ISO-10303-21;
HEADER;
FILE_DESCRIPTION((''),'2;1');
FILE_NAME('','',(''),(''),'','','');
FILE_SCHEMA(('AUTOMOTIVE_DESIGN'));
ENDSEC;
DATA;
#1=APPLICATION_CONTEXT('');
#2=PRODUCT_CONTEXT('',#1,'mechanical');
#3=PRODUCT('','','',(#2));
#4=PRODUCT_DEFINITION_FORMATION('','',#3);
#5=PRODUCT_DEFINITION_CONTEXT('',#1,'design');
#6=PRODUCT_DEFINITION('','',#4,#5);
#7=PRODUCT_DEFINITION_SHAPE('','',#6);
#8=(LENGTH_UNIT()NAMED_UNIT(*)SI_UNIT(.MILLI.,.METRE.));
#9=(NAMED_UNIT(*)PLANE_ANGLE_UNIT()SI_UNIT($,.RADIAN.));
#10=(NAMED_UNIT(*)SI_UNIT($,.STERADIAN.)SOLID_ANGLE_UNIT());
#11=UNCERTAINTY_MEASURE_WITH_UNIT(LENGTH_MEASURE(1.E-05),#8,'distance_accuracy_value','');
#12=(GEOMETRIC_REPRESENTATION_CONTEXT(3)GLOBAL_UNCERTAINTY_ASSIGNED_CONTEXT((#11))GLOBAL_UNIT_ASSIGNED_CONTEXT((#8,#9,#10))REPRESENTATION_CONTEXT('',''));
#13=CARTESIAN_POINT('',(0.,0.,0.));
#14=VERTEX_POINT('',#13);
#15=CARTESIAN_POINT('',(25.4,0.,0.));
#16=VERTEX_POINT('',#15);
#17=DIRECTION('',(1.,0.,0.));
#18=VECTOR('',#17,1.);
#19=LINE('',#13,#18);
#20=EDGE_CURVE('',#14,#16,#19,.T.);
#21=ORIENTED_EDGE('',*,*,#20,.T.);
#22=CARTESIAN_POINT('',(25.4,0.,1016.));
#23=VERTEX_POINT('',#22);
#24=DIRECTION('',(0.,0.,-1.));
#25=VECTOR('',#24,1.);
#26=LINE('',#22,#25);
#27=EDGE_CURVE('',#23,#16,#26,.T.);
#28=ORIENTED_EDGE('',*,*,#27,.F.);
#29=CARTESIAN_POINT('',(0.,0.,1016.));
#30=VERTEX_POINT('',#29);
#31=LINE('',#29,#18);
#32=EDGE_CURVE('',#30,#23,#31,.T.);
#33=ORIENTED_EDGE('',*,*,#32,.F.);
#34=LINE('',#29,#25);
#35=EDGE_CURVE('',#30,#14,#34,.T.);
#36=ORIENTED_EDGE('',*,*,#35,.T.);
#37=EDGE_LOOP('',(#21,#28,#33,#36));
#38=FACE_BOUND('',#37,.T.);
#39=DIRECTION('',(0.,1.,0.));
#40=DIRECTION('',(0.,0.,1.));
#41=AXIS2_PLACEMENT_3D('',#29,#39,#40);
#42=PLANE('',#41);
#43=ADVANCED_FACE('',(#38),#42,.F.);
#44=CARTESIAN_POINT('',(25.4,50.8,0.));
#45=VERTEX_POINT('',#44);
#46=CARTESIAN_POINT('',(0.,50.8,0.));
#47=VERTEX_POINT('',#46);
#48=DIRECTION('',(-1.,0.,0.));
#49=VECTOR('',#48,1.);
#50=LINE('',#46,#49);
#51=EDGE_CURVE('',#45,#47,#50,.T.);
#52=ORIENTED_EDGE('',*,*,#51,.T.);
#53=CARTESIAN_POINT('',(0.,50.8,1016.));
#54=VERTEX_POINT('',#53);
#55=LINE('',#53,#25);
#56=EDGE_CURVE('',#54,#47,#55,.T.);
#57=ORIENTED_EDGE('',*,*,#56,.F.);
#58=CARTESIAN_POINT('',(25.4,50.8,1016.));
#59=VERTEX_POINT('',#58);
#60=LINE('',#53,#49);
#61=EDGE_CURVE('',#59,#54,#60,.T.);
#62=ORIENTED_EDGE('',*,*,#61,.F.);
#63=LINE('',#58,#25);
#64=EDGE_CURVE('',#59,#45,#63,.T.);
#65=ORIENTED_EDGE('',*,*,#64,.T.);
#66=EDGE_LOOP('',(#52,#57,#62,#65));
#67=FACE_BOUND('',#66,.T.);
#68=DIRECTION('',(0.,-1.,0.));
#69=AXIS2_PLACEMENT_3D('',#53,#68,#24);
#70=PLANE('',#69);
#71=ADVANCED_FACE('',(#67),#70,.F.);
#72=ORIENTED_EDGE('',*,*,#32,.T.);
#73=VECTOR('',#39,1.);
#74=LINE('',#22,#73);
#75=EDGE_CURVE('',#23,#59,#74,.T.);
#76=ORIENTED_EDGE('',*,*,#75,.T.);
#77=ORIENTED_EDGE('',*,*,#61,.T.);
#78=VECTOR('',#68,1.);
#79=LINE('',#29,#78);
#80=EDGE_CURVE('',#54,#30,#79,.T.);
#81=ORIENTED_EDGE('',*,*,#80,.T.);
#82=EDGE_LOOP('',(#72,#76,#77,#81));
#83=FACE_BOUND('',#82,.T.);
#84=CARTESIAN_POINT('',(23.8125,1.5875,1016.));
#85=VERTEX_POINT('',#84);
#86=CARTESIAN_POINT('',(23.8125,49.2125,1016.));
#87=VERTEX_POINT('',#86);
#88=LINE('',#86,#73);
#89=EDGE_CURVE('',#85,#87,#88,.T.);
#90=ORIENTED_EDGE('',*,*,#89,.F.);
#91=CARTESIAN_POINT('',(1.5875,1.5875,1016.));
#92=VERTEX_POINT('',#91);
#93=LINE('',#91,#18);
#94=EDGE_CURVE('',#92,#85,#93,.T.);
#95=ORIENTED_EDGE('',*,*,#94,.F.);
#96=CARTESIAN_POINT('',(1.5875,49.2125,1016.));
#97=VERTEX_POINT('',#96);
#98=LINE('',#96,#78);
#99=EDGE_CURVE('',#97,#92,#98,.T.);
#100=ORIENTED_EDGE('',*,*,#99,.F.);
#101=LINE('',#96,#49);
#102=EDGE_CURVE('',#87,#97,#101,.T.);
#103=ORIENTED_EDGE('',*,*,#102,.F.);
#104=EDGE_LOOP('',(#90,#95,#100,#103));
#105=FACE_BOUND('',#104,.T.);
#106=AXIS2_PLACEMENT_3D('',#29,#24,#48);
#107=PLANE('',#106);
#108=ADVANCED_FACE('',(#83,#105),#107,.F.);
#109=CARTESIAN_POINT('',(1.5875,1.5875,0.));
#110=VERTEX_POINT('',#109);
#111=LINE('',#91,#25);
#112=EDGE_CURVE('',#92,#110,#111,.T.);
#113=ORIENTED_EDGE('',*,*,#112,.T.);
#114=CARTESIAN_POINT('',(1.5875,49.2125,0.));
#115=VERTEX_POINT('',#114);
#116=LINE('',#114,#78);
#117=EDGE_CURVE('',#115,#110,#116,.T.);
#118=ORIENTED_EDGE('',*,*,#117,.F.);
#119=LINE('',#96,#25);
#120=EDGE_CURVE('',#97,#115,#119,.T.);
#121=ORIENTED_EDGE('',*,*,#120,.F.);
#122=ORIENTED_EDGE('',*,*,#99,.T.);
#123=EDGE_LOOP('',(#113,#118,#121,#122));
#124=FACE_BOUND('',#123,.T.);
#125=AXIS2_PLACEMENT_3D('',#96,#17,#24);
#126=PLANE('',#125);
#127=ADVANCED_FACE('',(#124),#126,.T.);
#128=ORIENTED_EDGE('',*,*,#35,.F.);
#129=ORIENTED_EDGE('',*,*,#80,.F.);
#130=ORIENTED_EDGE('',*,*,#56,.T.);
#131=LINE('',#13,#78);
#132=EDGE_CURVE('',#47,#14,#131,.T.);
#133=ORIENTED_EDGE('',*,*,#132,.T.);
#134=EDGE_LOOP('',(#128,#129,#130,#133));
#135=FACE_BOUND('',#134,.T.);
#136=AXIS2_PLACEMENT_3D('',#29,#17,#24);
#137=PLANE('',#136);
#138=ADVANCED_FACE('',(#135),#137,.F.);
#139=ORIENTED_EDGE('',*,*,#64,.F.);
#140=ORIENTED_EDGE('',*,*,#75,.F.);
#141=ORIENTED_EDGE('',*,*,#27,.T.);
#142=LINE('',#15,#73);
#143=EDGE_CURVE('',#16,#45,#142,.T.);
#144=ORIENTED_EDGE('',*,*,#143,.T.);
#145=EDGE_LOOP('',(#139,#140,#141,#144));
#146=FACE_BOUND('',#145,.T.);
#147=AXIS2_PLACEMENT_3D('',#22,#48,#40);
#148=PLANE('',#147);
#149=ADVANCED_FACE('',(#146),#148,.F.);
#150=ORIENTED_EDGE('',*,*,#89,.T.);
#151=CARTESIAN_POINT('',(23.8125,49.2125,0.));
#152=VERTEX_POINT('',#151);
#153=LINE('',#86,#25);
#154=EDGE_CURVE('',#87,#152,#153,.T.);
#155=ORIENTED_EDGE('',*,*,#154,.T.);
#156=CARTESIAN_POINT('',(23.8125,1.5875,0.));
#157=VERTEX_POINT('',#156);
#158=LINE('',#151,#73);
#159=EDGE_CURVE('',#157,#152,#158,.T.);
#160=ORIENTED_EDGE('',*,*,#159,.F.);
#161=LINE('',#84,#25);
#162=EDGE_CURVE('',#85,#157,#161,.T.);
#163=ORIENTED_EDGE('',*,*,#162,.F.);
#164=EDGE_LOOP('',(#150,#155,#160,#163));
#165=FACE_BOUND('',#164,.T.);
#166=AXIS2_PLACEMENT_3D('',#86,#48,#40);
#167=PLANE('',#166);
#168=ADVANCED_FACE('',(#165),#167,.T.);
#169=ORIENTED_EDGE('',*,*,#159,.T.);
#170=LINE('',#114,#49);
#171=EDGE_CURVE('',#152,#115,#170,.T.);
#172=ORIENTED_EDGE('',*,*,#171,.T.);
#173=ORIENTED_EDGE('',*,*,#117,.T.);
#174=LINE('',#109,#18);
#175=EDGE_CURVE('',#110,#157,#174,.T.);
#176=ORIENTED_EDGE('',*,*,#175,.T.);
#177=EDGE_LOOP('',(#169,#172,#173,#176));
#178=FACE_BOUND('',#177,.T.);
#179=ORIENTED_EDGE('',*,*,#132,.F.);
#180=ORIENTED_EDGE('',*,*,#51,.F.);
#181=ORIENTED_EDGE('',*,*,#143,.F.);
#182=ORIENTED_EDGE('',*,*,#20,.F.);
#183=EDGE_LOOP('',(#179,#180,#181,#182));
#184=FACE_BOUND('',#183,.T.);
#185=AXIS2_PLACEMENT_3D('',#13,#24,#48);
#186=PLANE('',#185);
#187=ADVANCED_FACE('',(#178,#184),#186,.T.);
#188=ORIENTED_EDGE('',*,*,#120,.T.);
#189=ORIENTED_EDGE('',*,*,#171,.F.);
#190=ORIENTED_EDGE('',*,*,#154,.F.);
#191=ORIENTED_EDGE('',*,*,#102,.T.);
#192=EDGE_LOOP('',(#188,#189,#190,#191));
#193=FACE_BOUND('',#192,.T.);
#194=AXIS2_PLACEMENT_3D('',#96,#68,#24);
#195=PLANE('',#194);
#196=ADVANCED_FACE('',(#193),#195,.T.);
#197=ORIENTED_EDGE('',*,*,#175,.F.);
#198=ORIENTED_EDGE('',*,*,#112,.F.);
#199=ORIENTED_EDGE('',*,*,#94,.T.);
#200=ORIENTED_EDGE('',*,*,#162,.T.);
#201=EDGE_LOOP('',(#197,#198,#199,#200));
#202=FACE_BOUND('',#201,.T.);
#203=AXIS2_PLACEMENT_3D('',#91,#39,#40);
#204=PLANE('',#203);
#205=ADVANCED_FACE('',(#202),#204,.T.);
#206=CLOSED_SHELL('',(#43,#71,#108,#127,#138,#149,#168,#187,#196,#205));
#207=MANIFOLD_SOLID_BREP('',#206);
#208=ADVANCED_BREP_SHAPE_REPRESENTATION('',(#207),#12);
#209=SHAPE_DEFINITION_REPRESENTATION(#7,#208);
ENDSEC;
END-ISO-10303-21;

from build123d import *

# Parameters (mm, degrees)
SKETCH1_W           = 25.4
SKETCH1_H           = 50.8
SKETCH1_W_2         = 22.225
SKETCH1_H_2         = 47.625
BOSS_EXTRUDE1_DEPTH = 1016


with BuildPart() as part:
    # Sketch1 → Boss-Extrude1 (new body)
    with BuildSketch(Plane.XY):
        with Locations((12.7, 25.4)):
            Rectangle(SKETCH1_W, SKETCH1_H)
        with Locations((12.7, 25.4)):
            Rectangle(SKETCH1_W_2, SKETCH1_H_2, mode=Mode.SUBTRACT)
    extrude(amount=BOSS_EXTRUDE1_DEPTH)


solid = part.part
